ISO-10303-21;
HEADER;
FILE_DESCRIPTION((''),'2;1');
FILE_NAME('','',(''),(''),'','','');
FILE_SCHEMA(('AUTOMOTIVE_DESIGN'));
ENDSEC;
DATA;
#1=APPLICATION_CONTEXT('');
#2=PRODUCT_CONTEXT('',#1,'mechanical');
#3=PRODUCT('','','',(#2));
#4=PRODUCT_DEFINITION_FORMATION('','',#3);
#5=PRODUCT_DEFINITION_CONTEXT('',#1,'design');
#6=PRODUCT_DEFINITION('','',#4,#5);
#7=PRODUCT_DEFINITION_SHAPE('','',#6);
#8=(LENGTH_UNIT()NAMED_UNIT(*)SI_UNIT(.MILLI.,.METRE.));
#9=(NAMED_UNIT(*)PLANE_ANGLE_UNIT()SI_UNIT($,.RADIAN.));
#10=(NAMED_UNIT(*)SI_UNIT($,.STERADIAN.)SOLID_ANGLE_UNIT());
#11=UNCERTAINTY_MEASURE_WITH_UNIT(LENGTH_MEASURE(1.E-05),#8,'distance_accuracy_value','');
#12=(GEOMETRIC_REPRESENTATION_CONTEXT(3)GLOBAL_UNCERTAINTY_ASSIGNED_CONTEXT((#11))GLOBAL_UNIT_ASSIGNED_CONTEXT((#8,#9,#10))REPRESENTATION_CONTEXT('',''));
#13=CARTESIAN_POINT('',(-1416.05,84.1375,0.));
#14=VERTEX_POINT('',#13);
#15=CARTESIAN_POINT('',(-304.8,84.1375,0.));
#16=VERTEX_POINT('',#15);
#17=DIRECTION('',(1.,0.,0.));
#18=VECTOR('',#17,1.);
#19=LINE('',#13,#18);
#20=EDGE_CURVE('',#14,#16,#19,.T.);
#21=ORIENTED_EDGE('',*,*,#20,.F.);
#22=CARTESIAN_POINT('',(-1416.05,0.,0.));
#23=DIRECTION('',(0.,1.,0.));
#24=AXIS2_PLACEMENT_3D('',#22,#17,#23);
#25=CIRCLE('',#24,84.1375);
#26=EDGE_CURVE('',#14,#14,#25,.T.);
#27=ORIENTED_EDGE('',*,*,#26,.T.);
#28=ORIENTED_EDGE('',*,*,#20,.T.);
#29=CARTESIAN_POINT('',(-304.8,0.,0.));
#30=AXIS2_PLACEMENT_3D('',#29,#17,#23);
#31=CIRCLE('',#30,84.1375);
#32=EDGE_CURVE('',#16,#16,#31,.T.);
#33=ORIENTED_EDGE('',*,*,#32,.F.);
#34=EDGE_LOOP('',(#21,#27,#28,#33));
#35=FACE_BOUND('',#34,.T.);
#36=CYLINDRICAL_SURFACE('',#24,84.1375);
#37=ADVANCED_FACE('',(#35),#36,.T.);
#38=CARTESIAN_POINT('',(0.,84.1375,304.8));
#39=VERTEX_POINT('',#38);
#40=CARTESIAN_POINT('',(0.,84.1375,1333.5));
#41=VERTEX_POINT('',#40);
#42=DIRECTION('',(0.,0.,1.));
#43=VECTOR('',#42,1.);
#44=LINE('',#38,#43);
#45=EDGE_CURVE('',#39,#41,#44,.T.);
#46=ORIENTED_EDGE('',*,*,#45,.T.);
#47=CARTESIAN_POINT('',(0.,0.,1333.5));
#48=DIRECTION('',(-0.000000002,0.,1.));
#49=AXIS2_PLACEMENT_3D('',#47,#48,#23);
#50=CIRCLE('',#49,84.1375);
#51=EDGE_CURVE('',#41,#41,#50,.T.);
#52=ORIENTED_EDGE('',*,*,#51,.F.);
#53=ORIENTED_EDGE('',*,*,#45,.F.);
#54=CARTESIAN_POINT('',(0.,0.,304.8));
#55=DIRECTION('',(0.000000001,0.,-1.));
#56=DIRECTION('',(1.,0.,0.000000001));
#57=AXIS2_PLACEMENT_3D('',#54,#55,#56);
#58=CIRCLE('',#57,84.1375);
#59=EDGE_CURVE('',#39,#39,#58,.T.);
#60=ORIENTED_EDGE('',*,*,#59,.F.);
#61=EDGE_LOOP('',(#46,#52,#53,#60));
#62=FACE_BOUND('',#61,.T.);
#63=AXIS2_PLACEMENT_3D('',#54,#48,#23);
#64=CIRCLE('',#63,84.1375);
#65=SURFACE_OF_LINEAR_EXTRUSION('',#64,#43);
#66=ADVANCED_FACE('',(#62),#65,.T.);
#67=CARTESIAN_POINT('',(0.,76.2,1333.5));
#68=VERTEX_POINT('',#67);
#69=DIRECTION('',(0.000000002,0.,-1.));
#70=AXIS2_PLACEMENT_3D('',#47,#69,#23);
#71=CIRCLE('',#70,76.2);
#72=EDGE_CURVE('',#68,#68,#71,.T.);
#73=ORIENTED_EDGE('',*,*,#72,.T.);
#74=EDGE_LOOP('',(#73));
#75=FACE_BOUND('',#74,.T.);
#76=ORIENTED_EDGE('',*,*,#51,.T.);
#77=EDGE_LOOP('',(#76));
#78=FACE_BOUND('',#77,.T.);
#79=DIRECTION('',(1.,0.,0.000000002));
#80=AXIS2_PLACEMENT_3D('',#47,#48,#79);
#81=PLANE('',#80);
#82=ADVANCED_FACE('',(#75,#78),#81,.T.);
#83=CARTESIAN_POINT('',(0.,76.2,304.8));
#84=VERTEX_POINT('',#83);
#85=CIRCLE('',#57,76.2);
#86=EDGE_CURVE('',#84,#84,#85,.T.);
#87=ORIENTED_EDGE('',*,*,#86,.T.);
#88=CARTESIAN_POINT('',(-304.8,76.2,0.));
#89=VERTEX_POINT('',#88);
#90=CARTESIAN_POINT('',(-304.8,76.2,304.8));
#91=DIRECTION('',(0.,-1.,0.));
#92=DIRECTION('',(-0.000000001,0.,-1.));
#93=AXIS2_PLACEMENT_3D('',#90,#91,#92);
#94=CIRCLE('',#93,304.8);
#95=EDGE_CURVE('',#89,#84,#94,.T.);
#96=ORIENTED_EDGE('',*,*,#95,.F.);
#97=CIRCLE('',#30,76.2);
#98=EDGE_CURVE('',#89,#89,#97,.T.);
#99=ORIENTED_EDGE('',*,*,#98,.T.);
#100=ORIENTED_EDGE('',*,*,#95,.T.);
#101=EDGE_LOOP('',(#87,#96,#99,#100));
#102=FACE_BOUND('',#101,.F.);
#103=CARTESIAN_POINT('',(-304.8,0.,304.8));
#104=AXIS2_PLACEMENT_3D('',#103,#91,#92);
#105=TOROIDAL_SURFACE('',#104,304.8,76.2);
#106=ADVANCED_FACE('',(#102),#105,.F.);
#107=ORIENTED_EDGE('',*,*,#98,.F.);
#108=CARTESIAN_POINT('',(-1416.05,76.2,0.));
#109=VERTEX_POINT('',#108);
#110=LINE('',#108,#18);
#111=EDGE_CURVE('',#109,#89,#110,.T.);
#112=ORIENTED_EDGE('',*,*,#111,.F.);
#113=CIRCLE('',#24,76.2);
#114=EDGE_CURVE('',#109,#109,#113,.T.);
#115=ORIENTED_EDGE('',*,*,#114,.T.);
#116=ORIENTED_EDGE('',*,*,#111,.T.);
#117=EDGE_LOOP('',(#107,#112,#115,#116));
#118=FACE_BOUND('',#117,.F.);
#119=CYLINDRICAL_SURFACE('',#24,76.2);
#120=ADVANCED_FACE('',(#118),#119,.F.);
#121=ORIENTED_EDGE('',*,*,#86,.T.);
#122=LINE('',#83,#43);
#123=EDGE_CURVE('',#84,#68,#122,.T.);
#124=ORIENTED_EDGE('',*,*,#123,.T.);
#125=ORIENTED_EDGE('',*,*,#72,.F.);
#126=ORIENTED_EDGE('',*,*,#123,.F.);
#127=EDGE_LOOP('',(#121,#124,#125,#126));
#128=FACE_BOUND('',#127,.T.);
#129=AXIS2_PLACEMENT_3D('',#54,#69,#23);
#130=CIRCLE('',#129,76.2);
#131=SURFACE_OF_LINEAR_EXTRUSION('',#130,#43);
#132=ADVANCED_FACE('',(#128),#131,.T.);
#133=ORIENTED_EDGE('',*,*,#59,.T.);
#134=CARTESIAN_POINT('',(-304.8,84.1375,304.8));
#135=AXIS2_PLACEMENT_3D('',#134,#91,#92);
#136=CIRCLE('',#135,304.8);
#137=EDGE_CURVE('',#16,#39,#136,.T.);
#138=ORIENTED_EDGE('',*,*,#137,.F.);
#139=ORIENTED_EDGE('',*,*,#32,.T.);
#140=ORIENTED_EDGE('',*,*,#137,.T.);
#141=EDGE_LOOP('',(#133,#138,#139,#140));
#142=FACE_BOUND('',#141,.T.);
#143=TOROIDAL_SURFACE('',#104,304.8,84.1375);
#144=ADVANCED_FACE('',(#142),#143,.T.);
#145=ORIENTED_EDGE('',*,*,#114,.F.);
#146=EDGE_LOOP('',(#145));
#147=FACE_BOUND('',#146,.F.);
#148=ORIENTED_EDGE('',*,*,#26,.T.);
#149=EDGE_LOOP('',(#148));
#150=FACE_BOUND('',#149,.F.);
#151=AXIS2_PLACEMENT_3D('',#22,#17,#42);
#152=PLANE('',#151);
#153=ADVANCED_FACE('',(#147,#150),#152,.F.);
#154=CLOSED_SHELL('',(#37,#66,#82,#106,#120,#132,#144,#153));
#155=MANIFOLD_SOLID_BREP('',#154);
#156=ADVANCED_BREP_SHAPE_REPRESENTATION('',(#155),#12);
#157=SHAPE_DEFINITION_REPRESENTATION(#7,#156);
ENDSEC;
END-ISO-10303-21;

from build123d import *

# Parameters (mm, degrees)
F2_R   = 84.1375
F2_R_2 = 76.2


with BuildPart() as f3:
    # F3: sweep along a path in F0
    with BuildLine(Plane.XZ) as f3_path:
        Line((-1416.05, 0), (-304.8, 0))
        ThreePointArc((-304.8, 0), (-89.273853, 89.273853), (0, 304.8))
        Line((0, 304.8), (0, 1333.5))
    # F2 (on offset) → F3 (sweep)
    with BuildSketch(Plane.YZ.offset(-1416.05)):
        Circle(F2_R)
        Circle(F2_R_2, mode=Mode.SUBTRACT)
    sweep(path=f3_path.line)


solid = f3.part
